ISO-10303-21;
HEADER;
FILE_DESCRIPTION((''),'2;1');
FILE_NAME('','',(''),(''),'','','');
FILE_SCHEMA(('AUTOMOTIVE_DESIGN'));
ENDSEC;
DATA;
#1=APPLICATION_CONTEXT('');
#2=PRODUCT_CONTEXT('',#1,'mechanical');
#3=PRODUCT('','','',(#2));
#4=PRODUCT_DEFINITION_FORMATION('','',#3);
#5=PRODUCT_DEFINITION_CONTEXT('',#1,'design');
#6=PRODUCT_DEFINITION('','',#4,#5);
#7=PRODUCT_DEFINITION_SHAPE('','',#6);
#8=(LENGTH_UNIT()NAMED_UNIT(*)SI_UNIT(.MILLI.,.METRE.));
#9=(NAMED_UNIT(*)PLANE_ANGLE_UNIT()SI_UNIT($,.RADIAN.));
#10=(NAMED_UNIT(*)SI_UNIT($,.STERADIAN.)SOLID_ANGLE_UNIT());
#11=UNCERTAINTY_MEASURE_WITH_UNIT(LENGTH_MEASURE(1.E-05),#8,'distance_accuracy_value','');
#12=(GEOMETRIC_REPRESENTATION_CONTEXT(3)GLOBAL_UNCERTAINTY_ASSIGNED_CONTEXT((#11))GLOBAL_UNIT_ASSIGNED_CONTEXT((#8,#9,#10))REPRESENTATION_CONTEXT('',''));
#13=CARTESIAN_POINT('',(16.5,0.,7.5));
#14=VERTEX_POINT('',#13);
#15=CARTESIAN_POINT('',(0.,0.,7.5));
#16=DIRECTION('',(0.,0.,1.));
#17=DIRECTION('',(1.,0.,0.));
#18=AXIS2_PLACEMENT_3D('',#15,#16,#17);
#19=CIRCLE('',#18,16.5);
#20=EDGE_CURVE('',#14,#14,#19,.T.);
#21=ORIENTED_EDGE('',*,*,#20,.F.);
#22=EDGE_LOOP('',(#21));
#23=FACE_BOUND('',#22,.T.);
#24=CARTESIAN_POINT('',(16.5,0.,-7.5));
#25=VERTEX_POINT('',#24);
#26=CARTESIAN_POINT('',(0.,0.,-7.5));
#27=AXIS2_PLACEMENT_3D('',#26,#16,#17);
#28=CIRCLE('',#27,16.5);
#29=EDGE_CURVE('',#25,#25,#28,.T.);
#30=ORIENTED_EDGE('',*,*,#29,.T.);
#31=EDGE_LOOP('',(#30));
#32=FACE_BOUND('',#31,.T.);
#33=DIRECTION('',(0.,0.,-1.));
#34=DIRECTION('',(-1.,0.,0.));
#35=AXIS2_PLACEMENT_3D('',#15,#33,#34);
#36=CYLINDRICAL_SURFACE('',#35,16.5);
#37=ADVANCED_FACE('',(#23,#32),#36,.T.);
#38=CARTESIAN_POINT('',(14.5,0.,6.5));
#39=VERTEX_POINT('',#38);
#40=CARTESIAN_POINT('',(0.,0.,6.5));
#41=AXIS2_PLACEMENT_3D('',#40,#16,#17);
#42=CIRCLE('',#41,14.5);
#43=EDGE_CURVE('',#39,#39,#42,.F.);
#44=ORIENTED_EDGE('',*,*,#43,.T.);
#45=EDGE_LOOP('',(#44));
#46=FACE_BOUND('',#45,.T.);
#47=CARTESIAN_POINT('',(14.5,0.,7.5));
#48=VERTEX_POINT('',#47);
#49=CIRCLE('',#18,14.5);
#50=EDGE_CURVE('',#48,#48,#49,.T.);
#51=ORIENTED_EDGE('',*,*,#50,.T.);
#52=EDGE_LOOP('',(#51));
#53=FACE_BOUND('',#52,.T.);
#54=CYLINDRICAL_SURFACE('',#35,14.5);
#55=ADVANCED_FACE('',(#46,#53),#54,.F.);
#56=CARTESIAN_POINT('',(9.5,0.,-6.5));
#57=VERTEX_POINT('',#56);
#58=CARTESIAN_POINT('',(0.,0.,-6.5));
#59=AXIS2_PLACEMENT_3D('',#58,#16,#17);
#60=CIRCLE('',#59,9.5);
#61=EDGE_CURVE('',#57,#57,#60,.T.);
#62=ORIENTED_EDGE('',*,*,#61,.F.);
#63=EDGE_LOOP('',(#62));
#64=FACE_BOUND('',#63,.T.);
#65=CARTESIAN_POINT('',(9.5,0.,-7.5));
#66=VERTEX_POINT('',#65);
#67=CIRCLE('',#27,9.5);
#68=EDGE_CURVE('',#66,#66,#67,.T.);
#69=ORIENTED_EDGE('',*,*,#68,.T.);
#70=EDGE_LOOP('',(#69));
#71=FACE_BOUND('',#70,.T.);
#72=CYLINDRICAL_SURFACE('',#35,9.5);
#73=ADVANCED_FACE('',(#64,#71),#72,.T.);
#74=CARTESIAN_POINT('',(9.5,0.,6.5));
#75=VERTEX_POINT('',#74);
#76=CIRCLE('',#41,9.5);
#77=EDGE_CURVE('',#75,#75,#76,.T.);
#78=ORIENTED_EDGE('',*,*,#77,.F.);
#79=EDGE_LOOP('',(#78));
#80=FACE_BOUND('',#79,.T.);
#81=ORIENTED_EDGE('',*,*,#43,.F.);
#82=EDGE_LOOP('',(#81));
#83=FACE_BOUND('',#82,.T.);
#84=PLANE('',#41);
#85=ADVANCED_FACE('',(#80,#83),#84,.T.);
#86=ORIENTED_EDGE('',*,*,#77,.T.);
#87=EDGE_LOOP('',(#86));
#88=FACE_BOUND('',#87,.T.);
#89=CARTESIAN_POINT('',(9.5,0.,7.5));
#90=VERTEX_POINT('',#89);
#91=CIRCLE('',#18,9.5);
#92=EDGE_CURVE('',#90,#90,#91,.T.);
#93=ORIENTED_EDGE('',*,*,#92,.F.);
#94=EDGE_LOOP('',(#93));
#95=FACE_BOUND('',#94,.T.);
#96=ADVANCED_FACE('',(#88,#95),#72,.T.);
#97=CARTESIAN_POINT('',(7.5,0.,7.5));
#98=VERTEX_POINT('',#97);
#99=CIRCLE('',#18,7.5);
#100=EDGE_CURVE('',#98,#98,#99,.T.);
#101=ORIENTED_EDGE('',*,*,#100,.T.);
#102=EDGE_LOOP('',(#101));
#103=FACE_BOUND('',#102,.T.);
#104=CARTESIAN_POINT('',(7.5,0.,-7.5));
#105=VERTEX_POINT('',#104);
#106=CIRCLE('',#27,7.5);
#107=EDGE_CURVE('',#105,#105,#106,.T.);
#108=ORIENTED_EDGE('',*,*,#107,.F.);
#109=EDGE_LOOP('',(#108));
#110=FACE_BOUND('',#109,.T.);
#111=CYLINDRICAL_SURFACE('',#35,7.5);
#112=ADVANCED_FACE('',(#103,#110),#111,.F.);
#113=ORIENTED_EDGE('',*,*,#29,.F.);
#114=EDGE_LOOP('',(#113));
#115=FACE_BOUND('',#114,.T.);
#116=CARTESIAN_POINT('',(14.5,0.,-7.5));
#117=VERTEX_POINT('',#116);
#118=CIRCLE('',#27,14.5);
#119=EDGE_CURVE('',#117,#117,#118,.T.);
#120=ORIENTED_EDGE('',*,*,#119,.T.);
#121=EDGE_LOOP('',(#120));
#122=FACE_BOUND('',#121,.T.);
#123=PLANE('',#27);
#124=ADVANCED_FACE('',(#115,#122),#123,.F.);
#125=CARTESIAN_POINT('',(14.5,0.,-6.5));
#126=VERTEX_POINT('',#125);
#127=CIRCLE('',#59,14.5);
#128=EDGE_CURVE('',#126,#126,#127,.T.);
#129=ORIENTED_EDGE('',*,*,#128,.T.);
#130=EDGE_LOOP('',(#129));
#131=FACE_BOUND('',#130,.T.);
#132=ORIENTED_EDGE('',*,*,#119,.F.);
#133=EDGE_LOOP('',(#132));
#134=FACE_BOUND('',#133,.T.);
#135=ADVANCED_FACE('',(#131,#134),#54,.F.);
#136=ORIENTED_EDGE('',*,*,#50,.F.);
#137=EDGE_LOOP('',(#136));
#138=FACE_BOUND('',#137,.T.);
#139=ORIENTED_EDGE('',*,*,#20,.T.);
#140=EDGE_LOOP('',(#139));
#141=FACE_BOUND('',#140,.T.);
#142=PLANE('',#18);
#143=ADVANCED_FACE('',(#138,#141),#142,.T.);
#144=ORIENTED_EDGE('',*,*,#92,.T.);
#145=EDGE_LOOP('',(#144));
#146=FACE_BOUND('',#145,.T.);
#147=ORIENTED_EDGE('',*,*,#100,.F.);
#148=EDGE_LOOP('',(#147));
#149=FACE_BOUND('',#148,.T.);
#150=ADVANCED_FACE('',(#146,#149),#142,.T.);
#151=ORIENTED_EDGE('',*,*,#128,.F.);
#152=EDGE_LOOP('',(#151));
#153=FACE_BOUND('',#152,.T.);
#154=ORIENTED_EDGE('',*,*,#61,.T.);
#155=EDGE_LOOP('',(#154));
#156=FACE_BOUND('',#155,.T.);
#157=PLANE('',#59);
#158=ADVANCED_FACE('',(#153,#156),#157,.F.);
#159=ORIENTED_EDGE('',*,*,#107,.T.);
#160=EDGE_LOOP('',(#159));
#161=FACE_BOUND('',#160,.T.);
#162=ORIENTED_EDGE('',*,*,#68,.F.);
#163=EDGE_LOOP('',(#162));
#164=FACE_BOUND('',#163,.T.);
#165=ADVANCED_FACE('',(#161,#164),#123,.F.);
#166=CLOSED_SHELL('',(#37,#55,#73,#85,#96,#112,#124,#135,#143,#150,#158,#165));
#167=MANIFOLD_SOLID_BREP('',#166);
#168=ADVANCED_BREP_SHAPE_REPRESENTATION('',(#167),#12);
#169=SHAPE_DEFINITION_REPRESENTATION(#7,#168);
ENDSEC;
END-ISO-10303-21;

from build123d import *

# Parameters (mm, degrees)
SKETCH1_R           = 9.5
SKETCH1_R_2         = 7.5
BOSS_EXTRUDE1_DEPTH = 7.5
SKETCH4_R           = 14.5
SKETCH4_R_2         = 9.5
BOSS_EXTRUDE2_DEPTH = 6.5
SKETCH5_R           = 16.5
SKETCH5_R_2         = 14.5
BOSS_EXTRUDE3_DEPTH = 7.5


with BuildPart() as part:
    # Sketch1 → Boss-Extrude1 (new, symmetric)
    with BuildSketch(Plane.XY):
        Circle(SKETCH1_R)
        Circle(SKETCH1_R_2, mode=Mode.SUBTRACT)
    extrude(amount=BOSS_EXTRUDE1_DEPTH, both=True)

    # Sketch4 → Boss-Extrude2 (add, symmetric)
    with BuildSketch(Plane.XY):
        with Locations(Location((0, 0, 0), (0, 0, 180))):
            Circle(SKETCH4_R)
        Circle(SKETCH4_R_2, mode=Mode.SUBTRACT)
    extrude(amount=BOSS_EXTRUDE2_DEPTH, both=True)

    # Sketch5 → Boss-Extrude3 (add, symmetric)
    with BuildSketch(Plane.XY):
        Circle(SKETCH5_R)
        Circle(SKETCH5_R_2, mode=Mode.SUBTRACT)
    extrude(amount=BOSS_EXTRUDE3_DEPTH, both=True)


solid = part.part
